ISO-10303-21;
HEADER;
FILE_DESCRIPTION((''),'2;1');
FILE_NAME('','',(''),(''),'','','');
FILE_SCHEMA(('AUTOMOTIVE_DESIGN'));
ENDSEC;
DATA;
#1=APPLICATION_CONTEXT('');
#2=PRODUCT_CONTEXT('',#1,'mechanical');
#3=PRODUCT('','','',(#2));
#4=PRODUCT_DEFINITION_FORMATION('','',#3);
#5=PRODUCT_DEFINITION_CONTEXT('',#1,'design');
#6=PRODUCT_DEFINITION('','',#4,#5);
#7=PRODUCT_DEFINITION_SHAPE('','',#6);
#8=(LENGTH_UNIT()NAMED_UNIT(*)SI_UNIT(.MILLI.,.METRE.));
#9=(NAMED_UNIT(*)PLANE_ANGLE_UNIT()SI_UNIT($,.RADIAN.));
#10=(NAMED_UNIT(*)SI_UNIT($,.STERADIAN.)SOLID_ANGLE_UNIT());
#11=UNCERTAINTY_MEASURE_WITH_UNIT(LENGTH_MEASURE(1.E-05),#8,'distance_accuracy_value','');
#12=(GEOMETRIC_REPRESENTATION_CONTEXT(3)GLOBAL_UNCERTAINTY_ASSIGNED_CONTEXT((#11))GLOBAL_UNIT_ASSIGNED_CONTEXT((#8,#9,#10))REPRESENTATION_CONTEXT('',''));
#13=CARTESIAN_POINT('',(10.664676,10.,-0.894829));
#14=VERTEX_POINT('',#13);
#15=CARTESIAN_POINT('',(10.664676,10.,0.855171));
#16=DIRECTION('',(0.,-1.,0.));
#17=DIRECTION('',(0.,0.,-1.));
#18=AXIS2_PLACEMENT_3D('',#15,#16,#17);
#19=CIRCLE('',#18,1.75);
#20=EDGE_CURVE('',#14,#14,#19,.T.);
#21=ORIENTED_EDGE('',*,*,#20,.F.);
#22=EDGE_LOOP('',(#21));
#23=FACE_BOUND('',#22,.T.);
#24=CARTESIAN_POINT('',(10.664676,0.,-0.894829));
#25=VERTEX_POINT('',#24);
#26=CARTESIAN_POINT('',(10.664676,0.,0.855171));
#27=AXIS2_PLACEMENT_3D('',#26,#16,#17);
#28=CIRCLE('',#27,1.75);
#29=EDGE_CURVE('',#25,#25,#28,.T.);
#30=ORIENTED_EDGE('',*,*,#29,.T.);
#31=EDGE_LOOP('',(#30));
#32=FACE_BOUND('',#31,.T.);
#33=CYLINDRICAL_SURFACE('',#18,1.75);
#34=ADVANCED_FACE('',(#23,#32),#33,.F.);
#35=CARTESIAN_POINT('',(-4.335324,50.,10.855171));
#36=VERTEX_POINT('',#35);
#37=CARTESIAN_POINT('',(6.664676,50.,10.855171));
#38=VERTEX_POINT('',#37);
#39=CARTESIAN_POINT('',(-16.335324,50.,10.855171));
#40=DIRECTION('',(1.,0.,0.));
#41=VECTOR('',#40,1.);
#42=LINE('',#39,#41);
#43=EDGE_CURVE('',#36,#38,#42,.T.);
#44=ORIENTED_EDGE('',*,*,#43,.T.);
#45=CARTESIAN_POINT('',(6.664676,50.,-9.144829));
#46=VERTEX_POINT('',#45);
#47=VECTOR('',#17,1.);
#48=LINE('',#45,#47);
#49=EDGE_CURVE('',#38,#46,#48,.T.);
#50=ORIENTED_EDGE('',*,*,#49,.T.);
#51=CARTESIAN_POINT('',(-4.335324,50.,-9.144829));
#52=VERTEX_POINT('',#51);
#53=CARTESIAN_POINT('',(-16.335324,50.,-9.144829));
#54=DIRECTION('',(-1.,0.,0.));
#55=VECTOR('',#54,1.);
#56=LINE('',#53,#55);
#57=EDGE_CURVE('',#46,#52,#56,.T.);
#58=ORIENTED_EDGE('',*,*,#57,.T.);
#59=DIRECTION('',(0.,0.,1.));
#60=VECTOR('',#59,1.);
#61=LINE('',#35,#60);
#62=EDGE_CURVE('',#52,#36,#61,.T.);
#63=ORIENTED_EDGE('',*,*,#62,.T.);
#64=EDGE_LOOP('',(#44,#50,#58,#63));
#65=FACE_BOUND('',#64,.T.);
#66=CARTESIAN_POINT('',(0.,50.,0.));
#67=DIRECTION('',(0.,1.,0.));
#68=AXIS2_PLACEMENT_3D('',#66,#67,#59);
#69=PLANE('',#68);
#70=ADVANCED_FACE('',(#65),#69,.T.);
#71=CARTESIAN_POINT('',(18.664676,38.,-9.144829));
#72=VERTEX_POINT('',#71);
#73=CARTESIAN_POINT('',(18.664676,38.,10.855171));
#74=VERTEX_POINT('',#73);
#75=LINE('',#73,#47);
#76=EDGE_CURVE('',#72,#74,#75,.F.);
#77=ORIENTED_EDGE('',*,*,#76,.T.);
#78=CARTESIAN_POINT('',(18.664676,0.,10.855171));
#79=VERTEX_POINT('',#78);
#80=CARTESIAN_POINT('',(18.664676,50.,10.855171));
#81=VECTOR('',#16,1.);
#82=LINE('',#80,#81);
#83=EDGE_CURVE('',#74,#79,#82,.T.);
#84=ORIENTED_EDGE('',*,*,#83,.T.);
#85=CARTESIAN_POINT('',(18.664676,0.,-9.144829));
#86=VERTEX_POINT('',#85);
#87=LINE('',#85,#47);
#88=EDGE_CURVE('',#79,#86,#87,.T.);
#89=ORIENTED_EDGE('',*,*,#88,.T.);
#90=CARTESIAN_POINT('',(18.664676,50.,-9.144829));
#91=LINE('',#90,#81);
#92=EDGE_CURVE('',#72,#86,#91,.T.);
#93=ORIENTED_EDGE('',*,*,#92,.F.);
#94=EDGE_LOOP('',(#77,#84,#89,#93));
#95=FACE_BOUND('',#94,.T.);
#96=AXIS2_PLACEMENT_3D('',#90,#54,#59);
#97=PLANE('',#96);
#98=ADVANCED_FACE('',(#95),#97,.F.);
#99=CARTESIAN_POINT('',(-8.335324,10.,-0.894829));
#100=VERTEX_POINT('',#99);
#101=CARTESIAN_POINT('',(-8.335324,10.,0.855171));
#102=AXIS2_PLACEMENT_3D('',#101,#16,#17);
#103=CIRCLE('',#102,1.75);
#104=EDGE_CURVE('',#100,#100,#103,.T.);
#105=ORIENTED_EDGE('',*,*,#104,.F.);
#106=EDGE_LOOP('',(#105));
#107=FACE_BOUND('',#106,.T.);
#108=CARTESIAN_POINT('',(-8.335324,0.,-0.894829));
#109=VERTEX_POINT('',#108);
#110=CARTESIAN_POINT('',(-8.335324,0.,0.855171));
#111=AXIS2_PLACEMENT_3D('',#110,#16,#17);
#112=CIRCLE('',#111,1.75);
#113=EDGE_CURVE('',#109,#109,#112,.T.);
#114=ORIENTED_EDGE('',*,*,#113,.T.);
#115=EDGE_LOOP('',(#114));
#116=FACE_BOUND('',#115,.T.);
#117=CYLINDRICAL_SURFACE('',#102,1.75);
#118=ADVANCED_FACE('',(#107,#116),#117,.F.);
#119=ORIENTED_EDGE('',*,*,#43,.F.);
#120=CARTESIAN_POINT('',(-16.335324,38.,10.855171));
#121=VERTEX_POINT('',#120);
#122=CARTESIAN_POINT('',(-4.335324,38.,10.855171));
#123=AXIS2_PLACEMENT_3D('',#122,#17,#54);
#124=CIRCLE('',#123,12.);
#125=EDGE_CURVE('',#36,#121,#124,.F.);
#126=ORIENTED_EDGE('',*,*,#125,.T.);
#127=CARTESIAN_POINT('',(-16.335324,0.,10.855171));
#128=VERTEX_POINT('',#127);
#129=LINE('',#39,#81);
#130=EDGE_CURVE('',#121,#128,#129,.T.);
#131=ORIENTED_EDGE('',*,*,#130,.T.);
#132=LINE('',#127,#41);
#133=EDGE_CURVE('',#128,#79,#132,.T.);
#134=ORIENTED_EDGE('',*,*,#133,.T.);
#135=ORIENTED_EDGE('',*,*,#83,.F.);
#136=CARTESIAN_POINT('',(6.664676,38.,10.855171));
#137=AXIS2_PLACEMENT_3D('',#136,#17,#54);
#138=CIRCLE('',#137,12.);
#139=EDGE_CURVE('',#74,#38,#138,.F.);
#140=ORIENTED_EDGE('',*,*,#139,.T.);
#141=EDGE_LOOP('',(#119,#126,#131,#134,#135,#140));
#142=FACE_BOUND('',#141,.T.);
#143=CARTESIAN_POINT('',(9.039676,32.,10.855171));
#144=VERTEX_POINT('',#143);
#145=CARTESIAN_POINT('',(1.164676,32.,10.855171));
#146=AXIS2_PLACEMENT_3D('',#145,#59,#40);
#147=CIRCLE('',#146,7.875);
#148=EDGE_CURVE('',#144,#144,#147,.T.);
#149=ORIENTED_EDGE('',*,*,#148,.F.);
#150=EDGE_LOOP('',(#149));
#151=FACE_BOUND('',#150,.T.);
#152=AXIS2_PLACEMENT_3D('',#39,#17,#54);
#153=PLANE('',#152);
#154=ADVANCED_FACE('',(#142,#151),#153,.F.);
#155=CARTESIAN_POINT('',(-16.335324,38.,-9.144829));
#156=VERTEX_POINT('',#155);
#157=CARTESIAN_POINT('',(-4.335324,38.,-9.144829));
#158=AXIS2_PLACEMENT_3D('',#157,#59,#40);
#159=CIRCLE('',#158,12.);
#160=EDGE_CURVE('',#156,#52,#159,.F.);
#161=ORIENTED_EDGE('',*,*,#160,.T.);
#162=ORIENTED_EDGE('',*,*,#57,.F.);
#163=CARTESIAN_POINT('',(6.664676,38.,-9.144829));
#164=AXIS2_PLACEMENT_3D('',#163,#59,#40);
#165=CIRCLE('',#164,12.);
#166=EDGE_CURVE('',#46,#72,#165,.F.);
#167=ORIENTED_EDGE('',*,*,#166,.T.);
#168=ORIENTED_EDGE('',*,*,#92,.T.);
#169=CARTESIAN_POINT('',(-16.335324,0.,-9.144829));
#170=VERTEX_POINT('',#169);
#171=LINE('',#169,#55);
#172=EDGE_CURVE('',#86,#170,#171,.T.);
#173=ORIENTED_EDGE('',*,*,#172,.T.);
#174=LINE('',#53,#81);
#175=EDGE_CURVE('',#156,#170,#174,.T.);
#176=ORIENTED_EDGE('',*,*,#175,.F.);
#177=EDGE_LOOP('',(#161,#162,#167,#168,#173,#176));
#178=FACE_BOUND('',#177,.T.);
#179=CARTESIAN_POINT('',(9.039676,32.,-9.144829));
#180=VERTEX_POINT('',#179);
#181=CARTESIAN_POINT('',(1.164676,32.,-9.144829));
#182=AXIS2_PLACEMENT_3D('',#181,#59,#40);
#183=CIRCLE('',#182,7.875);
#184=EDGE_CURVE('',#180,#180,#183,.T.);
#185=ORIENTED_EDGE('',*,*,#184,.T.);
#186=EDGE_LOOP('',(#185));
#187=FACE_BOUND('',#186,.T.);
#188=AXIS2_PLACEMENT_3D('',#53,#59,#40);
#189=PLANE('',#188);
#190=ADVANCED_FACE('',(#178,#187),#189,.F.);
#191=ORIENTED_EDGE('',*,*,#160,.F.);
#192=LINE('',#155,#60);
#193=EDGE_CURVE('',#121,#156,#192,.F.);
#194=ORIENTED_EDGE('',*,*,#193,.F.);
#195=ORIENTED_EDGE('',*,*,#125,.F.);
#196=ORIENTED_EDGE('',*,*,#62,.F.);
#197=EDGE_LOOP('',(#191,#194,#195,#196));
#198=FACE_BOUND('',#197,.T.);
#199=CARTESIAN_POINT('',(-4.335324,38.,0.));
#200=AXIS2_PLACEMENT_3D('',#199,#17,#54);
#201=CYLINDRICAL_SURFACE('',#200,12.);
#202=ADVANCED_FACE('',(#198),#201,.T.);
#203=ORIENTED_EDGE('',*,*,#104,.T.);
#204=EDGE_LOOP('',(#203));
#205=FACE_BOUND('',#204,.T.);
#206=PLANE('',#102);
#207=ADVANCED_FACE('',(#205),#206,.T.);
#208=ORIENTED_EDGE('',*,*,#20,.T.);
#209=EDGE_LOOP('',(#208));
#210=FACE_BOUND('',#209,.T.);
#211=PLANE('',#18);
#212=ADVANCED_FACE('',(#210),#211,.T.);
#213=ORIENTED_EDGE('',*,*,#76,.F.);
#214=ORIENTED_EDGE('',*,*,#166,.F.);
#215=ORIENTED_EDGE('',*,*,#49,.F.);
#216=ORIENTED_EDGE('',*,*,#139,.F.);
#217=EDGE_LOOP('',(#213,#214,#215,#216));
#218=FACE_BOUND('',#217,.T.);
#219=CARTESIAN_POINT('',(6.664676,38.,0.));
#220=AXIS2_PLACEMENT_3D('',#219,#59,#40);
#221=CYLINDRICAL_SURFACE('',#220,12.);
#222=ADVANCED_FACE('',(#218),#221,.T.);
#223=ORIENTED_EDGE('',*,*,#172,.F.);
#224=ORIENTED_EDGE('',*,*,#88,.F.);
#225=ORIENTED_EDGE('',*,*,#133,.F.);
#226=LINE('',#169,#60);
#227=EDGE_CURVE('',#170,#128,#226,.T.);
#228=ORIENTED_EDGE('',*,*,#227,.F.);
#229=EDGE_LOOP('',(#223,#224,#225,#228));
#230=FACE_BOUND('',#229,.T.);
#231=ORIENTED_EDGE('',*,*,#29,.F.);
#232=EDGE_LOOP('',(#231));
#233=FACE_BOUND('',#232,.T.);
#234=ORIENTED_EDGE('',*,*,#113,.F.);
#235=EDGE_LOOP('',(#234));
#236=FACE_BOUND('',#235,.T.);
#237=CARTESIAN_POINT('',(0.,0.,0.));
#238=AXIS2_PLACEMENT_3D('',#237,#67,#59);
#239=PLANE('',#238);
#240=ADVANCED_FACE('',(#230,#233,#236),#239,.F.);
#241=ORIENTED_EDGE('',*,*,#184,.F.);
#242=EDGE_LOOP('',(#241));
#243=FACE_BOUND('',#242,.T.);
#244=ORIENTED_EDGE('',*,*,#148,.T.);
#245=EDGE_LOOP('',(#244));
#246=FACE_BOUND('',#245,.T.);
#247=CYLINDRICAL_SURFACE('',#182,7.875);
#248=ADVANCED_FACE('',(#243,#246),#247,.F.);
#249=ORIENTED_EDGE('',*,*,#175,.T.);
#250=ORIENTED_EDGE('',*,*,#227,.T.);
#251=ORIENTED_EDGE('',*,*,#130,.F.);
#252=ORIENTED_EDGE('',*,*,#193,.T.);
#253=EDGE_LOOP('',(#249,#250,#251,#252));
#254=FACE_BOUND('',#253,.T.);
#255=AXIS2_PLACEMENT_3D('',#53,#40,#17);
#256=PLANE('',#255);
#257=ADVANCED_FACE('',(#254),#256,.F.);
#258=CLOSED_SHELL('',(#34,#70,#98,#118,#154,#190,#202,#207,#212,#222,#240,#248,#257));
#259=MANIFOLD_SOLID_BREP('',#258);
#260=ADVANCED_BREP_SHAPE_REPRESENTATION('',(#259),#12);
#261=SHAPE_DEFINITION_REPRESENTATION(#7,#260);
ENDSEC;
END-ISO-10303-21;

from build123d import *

# Parameters (mm, degrees)
SKETCH1_W           = 35
SKETCH1_H           = 20
BOSS_EXTRUDE1_DEPTH = 50
SKETCH2_R           = 7.875
CUT_EXTRUDE1_DEPTH  = 21
SKETCH3_R           = 1.75
CUT_EXTRUDE2_DEPTH  = 10
FILLET1_R           = 12


with BuildPart() as part:
    # Sketch1 → Boss-Extrude1 (new body)
    with BuildSketch(Plane(origin=(0, 0, 0), x_dir=(1, 0, 0), z_dir=(0, 1, 0))):
        with Locations((1.164675851, -0.855170824)):
            Rectangle(SKETCH1_W, SKETCH1_H)
    extrude(amount=BOSS_EXTRUDE1_DEPTH)

    # Sketch2 → Cut-Extrude1 (cut, through all)
    with BuildSketch(Plane.XY.offset(10.855170824)):
        with Locations((1.164675851, 32)):
            Circle(SKETCH2_R)
    extrude(amount=-CUT_EXTRUDE1_DEPTH, mode=Mode.SUBTRACT)

    # Sketch3 → Cut-Extrude2 (cut)
    with BuildSketch(Plane.XZ):
        with Locations((-8.335324149, 0.855170824)):
            Circle(SKETCH3_R)
        with Locations((10.664675851, 0.855170824)):
            Circle(SKETCH3_R)
    extrude(amount=-CUT_EXTRUDE2_DEPTH, mode=Mode.SUBTRACT)

    # Fillet1
    fillet1_edges = [part.edges().sort_by_distance(p)[0] for p in [
        (18.664675851, 50, 0.855170824),
        (-16.335324149, 50, 0.855170824),
    ]]
    fillet(fillet1_edges, radius=FILLET1_R)


solid = part.part
